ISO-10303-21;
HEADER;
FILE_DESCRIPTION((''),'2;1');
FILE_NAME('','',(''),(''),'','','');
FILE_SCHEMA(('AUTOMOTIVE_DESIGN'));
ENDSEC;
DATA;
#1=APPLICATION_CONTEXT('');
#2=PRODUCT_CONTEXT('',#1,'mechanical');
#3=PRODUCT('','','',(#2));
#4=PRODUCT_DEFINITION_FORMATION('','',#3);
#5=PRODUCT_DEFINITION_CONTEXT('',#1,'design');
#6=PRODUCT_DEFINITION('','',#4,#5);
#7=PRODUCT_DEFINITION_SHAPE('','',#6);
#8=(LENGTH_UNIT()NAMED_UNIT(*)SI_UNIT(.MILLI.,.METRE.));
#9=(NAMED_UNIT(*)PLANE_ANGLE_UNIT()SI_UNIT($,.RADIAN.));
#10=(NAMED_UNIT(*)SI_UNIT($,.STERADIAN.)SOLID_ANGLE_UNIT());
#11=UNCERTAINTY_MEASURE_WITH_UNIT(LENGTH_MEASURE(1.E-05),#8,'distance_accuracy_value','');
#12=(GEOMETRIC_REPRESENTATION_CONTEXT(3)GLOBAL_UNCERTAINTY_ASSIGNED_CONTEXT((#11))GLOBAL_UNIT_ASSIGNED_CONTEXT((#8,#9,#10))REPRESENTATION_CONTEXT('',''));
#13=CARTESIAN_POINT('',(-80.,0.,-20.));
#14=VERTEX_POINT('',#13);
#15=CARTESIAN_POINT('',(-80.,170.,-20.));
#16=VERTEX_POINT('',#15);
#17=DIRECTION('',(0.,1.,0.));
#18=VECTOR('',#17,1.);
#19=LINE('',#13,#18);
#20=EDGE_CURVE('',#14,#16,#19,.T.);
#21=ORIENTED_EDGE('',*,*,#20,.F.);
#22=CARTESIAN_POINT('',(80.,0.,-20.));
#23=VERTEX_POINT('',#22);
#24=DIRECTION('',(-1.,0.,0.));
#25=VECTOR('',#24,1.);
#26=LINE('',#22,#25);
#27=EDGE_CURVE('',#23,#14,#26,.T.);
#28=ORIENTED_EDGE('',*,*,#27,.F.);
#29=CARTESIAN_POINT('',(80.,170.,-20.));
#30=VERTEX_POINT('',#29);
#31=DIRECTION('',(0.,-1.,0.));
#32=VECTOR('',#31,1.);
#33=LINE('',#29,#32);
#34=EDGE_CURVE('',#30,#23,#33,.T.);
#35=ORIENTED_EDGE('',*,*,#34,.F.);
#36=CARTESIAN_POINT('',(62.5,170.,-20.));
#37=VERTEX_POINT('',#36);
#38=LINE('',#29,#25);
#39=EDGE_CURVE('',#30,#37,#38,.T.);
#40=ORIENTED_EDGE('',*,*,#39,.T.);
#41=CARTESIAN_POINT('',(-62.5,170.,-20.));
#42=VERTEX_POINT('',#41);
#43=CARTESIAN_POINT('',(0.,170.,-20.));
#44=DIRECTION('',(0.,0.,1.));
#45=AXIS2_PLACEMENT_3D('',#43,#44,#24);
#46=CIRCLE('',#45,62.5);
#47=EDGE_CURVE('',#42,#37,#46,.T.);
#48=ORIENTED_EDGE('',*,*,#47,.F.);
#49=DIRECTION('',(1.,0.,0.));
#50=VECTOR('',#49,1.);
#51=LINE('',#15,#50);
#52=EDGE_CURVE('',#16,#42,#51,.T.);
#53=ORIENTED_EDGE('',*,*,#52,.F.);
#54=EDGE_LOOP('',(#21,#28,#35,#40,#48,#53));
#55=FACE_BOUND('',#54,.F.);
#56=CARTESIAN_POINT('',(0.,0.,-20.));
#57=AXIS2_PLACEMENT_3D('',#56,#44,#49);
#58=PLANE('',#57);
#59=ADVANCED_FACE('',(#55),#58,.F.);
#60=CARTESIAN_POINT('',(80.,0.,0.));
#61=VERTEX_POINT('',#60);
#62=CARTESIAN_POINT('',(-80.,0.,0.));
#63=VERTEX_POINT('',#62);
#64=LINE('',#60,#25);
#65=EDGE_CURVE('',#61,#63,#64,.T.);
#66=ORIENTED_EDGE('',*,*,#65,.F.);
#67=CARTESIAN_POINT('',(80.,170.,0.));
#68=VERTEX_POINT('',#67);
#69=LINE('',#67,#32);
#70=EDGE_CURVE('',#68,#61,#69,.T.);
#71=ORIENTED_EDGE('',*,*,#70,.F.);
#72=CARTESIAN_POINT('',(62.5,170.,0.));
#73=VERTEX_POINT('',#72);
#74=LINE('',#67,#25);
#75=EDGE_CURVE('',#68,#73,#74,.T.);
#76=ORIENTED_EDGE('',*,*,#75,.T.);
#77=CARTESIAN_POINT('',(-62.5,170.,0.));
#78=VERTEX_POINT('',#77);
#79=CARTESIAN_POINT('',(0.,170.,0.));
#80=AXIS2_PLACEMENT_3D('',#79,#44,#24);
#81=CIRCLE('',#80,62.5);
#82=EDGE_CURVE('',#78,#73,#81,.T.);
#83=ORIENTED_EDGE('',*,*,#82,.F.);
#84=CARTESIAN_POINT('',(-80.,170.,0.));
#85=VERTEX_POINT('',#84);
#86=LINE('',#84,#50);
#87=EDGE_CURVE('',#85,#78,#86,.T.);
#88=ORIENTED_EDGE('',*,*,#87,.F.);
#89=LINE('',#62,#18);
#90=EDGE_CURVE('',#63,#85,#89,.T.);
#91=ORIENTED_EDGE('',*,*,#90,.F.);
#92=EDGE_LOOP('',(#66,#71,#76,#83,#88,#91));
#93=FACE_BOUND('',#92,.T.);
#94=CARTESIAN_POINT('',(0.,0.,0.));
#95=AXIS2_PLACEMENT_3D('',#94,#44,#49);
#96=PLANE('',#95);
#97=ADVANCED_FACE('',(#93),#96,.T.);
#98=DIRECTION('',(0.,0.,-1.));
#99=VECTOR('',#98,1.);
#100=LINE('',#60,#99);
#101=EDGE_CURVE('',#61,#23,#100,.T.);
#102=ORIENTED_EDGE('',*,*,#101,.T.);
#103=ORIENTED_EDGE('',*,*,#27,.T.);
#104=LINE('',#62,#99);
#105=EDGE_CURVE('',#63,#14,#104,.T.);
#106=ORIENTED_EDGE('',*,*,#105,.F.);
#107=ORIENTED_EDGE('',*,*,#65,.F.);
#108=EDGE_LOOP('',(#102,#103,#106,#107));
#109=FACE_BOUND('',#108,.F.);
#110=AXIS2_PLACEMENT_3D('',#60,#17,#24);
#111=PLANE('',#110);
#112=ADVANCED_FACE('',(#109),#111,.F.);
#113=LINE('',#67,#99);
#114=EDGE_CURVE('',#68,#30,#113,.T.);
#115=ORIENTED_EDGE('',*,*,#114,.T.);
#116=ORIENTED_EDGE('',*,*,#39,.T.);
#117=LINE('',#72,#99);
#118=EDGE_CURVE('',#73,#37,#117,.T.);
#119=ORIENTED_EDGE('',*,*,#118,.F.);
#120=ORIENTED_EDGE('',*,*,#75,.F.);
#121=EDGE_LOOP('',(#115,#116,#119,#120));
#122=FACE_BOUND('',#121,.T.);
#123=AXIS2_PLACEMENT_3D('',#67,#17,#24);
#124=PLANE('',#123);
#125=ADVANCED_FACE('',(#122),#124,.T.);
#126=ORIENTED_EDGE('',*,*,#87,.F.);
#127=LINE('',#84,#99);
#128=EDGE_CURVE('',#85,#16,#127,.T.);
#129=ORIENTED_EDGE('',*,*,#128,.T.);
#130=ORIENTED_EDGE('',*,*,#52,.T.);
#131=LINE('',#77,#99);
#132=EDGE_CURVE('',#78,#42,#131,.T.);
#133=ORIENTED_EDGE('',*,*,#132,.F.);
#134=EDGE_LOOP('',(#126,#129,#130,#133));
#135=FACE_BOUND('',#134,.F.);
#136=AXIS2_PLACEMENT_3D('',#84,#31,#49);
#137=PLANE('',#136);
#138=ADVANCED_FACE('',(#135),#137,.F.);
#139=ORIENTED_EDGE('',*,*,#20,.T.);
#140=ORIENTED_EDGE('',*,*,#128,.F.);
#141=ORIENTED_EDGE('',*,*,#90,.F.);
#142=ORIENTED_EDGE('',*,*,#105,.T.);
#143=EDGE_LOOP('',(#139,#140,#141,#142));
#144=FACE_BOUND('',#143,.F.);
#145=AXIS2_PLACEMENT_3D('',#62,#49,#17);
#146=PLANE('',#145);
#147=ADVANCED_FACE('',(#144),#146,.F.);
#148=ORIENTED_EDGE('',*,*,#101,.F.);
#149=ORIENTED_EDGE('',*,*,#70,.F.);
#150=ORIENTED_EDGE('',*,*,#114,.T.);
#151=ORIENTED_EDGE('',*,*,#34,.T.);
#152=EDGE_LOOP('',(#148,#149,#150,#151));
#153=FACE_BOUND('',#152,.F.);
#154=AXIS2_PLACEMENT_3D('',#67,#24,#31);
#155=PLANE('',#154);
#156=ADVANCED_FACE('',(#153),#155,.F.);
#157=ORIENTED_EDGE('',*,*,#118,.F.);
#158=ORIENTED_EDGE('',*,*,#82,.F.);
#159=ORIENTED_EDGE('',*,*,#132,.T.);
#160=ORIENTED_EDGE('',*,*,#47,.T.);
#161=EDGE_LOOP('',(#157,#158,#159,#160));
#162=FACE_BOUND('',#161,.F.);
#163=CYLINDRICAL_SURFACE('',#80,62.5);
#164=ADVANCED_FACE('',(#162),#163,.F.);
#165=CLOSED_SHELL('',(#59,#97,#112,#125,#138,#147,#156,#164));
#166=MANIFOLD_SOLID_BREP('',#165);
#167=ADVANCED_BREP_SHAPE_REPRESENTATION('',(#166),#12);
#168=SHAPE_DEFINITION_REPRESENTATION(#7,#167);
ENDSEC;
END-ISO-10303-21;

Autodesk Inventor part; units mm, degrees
ref_plane "YZ Plane" through (0, 0, 0) normal (1, 0, 0) x (0, 1, 0)
ref_plane "XZ Plane" through (0, 0, 0) normal (0, 1, 0) x (-1, 0, 0)
ref_plane "XY Plane" through (0, 0, 0) normal (0, 0, 1) x (1, 0, 0)
sketch "Sketch1" plane through (0, 0, 0) normal (0, 0, 1) x (1, 0, 0)
  line L0 (80, 170) -> (80, 0)
  line L1 (80, 0) -> (-80, 0)
  line L2 (-80, 0) -> (-80, 170)
  arc A0 (-62.5, 170) -> (62.5, 170) centre (0, 170) ccw
  line L3 (80, 170) -> (62.5, 170)
  line L4 (-80, 170) -> (-62.5, 170)
  point P0 (0, 0)
  point P1 (0, 0)
  point P2 (-71.25, 170)
  dimension "d9" = 80
  dimension "d10" = 80
  dimension "d12" = 160
  dimension "d14" = 125
  dimension "d15" = 170
  dimension "d16" = 170
  dimension "d17" = 17.5
  dimension "d18" = 17.5
extrude "Extrusion1" add sketch "Sketch1" against normal blind 20
properties part number "Weldedsupportpart1" material "Steel, Mild"
